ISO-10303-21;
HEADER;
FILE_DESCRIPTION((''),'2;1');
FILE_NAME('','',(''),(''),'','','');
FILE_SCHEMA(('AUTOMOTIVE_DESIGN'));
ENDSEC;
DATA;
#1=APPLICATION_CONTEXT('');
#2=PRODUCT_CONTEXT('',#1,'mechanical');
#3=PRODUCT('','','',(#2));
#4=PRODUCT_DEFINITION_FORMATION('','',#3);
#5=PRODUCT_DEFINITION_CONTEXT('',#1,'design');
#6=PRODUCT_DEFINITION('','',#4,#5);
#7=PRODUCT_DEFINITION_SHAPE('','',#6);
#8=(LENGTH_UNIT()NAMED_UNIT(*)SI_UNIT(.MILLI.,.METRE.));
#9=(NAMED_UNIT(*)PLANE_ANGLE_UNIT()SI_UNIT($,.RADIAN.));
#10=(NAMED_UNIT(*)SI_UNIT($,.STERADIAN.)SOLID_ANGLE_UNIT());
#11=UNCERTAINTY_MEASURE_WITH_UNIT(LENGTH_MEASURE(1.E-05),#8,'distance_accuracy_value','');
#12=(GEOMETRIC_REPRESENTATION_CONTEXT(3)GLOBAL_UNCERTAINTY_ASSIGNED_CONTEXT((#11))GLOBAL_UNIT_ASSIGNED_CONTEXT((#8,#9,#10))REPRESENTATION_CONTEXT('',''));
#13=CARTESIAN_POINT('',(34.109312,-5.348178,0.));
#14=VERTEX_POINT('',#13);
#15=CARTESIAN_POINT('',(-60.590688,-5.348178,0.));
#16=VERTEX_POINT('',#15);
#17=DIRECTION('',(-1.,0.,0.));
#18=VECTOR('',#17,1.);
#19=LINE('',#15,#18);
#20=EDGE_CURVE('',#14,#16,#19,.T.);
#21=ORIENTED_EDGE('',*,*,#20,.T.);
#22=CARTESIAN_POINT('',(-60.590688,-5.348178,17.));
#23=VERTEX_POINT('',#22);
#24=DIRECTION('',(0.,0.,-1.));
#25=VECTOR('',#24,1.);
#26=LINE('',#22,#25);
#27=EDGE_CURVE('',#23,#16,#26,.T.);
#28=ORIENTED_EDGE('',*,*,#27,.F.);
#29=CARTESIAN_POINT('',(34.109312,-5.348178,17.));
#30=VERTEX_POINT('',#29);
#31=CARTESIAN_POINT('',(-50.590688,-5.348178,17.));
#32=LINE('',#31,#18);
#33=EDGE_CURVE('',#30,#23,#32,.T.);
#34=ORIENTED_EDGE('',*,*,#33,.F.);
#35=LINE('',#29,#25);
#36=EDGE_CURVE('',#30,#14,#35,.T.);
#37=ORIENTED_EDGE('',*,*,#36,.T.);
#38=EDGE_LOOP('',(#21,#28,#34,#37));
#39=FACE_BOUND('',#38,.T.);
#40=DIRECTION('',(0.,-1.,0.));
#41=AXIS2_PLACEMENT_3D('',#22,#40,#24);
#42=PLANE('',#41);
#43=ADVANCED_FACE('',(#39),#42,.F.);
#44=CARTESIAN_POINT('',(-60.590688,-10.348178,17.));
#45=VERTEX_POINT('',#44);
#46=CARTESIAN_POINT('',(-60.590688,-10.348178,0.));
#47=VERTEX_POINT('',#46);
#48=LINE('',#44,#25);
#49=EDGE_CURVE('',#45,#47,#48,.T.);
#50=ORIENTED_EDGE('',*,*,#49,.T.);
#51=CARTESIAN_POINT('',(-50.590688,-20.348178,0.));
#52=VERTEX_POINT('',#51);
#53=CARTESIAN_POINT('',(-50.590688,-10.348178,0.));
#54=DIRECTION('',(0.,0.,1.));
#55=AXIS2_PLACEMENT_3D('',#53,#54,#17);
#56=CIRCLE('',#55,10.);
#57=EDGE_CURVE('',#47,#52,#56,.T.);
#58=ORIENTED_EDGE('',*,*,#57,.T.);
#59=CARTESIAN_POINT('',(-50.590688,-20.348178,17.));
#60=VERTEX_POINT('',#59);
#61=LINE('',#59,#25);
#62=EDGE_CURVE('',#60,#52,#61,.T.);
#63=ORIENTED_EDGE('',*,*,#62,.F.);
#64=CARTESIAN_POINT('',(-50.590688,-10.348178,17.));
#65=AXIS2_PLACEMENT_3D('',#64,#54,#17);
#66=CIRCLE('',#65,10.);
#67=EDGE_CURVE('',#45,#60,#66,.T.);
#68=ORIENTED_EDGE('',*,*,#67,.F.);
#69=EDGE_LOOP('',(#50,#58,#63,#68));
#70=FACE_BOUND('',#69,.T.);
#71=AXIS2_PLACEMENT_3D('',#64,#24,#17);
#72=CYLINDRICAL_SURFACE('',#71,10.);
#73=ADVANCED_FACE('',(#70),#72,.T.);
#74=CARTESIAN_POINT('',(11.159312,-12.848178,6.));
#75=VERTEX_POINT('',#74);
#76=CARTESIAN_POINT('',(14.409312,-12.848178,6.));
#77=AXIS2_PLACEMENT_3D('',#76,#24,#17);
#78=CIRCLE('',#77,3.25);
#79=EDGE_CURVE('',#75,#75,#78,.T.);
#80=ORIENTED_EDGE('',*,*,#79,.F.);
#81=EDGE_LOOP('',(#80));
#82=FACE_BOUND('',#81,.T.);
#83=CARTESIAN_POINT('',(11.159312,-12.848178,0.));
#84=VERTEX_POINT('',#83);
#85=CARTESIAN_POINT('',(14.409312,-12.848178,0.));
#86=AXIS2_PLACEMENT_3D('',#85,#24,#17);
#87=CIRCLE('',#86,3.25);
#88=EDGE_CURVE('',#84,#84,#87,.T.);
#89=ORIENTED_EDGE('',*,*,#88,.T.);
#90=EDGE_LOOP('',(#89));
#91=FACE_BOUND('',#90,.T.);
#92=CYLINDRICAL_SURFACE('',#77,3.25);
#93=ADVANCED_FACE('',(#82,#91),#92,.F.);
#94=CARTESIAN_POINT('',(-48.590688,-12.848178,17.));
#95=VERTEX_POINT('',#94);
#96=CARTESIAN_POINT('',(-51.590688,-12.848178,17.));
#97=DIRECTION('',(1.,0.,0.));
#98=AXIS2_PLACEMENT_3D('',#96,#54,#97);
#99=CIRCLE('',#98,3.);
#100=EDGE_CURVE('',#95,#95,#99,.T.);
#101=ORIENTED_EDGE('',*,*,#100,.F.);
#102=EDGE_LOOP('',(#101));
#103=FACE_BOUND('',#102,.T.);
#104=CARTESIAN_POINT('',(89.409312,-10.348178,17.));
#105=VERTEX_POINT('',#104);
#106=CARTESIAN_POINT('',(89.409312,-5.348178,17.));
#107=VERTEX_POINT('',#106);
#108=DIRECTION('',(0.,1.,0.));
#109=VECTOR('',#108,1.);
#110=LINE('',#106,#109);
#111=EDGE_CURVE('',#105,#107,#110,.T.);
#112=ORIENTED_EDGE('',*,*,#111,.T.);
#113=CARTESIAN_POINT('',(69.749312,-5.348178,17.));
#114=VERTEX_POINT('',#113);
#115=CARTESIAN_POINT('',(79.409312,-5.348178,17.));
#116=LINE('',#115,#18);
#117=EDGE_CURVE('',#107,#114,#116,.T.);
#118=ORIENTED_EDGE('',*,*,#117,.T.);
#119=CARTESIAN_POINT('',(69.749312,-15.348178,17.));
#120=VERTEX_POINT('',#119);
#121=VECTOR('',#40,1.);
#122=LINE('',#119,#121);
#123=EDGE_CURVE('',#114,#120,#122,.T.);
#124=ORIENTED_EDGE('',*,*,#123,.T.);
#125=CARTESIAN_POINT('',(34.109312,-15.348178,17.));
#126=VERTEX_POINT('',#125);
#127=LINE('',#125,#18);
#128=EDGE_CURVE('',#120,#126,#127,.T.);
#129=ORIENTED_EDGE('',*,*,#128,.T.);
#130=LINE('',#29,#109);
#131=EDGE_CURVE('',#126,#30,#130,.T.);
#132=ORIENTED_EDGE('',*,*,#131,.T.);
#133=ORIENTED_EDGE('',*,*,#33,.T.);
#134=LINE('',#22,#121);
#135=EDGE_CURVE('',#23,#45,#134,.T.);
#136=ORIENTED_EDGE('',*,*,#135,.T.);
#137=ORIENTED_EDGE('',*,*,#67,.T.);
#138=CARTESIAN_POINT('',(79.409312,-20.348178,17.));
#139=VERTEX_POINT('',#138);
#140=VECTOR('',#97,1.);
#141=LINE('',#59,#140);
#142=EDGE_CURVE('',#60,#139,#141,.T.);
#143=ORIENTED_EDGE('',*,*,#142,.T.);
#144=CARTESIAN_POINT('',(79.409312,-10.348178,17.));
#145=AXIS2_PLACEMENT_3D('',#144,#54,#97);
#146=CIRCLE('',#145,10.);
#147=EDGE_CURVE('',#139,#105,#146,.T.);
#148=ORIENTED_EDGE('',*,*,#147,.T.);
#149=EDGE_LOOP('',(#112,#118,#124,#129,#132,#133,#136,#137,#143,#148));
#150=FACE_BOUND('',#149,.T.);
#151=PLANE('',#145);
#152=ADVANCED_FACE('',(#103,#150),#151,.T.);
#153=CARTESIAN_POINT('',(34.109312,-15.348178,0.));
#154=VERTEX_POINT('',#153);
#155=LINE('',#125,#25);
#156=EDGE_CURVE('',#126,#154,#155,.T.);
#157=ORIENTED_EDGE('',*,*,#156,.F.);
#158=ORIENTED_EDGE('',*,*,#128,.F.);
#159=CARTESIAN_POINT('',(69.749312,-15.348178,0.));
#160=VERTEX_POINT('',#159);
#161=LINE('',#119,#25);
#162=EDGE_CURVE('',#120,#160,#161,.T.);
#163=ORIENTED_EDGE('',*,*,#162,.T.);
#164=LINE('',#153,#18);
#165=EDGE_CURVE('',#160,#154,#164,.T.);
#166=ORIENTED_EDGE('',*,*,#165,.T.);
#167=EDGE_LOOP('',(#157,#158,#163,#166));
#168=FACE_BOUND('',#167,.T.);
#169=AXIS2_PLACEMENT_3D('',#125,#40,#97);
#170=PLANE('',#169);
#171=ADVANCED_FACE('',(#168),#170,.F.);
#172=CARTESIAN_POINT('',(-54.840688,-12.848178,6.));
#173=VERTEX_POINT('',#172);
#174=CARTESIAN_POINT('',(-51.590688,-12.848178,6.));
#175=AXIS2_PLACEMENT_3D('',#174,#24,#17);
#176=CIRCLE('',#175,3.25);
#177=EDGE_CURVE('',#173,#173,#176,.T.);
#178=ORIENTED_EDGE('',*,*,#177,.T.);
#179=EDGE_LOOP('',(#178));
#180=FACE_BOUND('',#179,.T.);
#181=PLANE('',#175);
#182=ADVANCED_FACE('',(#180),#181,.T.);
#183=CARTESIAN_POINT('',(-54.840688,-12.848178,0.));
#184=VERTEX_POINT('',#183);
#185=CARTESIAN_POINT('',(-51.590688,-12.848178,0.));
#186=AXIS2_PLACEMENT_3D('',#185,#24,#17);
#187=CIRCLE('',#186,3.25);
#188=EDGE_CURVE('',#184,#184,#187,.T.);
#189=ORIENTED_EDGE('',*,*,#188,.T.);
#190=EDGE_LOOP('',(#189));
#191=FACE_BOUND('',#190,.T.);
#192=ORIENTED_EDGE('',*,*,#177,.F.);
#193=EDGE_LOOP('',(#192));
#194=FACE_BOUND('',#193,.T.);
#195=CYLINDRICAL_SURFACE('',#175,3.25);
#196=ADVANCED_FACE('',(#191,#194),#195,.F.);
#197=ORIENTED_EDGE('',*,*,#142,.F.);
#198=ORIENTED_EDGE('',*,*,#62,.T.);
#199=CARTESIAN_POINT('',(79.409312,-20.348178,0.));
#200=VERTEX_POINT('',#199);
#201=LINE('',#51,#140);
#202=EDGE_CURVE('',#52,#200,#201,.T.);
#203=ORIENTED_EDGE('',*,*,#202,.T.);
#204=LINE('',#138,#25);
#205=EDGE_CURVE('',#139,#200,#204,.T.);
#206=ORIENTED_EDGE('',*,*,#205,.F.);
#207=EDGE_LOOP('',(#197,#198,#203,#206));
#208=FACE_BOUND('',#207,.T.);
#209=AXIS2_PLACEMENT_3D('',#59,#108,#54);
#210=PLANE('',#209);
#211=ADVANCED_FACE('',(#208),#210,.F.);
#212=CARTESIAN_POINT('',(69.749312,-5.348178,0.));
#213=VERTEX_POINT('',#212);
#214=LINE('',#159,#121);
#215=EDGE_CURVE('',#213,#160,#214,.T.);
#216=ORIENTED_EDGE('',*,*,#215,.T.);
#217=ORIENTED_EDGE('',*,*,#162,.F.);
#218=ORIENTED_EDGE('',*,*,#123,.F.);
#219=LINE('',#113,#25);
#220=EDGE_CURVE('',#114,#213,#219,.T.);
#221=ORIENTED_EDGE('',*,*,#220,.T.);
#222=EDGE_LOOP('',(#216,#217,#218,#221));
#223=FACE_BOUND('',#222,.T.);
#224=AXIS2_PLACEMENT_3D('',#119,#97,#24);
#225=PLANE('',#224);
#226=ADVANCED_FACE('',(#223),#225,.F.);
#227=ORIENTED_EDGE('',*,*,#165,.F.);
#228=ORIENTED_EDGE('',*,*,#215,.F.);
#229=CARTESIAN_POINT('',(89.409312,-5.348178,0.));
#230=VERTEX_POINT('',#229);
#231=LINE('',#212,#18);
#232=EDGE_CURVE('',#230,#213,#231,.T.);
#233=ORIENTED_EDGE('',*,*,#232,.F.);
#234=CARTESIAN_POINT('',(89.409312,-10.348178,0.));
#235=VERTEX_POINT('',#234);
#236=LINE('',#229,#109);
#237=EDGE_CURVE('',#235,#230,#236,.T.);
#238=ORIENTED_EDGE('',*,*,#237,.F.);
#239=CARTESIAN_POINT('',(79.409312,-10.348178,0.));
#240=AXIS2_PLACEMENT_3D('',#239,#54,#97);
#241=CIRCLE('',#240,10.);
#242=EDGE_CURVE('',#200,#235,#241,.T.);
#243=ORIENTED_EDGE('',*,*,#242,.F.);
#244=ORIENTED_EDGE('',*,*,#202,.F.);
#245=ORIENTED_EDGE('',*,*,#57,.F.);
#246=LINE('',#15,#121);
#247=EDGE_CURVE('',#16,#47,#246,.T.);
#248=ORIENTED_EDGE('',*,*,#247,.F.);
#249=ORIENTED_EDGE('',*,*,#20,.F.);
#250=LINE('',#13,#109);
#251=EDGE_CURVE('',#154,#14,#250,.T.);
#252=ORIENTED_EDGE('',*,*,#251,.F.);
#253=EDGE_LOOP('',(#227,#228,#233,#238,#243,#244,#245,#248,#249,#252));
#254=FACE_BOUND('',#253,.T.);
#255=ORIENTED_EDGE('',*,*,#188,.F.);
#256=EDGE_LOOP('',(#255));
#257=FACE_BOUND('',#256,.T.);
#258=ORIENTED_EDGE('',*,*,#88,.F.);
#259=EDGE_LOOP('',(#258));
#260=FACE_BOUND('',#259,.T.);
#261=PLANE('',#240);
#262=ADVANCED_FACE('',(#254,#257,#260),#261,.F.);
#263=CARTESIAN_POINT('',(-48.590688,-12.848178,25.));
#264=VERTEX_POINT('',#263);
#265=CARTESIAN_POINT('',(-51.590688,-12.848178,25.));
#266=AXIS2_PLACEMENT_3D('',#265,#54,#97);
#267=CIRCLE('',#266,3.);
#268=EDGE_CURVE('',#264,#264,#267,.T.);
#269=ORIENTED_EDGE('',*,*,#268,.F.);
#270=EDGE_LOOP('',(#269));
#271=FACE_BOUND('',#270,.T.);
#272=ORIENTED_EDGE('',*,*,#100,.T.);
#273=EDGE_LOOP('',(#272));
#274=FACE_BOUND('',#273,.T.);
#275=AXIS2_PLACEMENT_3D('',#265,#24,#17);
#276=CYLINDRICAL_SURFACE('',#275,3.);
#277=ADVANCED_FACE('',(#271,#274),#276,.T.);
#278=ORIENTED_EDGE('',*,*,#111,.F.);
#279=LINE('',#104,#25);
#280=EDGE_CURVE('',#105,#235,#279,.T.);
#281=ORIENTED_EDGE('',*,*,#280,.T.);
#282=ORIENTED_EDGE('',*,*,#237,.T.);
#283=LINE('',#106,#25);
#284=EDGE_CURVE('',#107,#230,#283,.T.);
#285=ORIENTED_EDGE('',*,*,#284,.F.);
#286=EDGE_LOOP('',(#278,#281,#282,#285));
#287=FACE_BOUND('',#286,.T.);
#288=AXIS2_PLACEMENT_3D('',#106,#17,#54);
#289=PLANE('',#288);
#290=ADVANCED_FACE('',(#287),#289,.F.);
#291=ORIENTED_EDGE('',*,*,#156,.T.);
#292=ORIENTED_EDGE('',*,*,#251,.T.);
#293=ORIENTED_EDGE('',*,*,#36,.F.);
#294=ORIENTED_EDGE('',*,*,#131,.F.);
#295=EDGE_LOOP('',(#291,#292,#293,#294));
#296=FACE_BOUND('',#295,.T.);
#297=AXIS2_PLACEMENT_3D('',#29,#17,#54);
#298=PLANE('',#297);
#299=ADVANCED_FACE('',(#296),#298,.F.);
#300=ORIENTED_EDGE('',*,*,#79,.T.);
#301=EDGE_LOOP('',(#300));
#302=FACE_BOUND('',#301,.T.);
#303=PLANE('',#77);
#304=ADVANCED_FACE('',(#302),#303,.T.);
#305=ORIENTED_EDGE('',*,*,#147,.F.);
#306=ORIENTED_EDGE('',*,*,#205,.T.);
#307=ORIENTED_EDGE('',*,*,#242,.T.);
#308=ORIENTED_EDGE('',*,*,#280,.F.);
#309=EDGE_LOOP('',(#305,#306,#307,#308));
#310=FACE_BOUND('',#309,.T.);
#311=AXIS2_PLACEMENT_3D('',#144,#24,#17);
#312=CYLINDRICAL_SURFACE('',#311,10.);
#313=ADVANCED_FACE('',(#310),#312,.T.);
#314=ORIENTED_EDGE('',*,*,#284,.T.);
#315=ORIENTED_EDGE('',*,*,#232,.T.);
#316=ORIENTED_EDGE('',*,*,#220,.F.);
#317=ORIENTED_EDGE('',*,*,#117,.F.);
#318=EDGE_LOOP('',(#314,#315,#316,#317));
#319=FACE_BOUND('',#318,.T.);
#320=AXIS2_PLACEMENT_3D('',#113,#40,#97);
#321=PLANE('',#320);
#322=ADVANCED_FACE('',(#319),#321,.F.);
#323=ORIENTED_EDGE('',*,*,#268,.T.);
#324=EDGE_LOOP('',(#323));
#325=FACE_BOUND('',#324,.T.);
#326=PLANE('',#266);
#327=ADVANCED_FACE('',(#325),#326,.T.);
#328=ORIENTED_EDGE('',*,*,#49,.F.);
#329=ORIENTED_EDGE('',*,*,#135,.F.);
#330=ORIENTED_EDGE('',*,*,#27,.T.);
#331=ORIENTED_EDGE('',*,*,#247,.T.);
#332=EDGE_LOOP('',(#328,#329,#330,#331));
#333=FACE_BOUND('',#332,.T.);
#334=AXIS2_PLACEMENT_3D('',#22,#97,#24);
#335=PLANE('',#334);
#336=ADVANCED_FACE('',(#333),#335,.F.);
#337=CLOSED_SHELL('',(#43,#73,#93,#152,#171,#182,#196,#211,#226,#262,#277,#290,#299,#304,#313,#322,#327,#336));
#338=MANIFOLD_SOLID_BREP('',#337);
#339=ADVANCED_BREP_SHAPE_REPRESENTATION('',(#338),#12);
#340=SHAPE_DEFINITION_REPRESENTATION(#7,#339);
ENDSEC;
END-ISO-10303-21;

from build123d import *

# Parameters (mm, degrees)
BOSS_EXTRUDE1_DEPTH = 17
SKETCH3_R           = 3.25
CUT_EXTRUDE1_DEPTH  = 6
SKETCH4_R           = 3
BOSS_EXTRUDE2_DEPTH = 8


with BuildPart() as part:
    # Sketch2 → Boss-Extrude1 (new body)
    with BuildSketch(Plane.XY):
        with BuildLine():
            Line((-50.590688259, -20.348178138), (79.409311741, -20.348178138))
            ThreePointArc((79.409311741, -20.348178138), (86.480379553, -17.41924595), (89.409311741, -10.348178138))
            Line((89.409311741, -10.348178138), (89.409311741, -5.348178138))
            Line((89.409311741, -5.348178138), (79.409311741, -5.348178138))
            Line((79.409311741, -5.348178138), (69.749311741, -5.348178138))
            Line((69.749311741, -5.348178138), (69.749311741, -15.348178138))
            Line((69.749311741, -15.348178138), (34.109311741, -15.348178138))
            Line((34.109311741, -15.348178138), (34.109311741, -5.348178138))
            Line((34.109311741, -5.348178138), (-50.590688259, -5.348178138))
            Line((-50.590688259, -5.348178138), (-60.590688259, -5.348178138))
            Line((-60.590688259, -5.348178138), (-60.590688259, -10.348178138))
            ThreePointArc((-60.590688259, -10.348178138), (-57.661756071, -17.41924595), (-50.590688259, -20.348178138))
        make_face()
    extrude(amount=BOSS_EXTRUDE1_DEPTH)

    # Sketch3 → Cut-Extrude1 (cut)
    with BuildSketch(Plane(origin=(0, 0, 0), x_dir=(-1, 0, 0), z_dir=(0, 0, -1))):
        with Locations((-14.409311741, -12.848178138)):
            Circle(SKETCH3_R)
        with Locations((51.590688259, -12.848178138)):
            Circle(SKETCH3_R)
    extrude(amount=-CUT_EXTRUDE1_DEPTH, mode=Mode.SUBTRACT)

    # Sketch4 → Boss-Extrude2 (add)
    with BuildSketch(Plane.XY.offset(17)):
        with Locations((-51.590688259, -12.848178138)):
            Circle(SKETCH4_R)
    extrude(amount=BOSS_EXTRUDE2_DEPTH)


solid = part.part
